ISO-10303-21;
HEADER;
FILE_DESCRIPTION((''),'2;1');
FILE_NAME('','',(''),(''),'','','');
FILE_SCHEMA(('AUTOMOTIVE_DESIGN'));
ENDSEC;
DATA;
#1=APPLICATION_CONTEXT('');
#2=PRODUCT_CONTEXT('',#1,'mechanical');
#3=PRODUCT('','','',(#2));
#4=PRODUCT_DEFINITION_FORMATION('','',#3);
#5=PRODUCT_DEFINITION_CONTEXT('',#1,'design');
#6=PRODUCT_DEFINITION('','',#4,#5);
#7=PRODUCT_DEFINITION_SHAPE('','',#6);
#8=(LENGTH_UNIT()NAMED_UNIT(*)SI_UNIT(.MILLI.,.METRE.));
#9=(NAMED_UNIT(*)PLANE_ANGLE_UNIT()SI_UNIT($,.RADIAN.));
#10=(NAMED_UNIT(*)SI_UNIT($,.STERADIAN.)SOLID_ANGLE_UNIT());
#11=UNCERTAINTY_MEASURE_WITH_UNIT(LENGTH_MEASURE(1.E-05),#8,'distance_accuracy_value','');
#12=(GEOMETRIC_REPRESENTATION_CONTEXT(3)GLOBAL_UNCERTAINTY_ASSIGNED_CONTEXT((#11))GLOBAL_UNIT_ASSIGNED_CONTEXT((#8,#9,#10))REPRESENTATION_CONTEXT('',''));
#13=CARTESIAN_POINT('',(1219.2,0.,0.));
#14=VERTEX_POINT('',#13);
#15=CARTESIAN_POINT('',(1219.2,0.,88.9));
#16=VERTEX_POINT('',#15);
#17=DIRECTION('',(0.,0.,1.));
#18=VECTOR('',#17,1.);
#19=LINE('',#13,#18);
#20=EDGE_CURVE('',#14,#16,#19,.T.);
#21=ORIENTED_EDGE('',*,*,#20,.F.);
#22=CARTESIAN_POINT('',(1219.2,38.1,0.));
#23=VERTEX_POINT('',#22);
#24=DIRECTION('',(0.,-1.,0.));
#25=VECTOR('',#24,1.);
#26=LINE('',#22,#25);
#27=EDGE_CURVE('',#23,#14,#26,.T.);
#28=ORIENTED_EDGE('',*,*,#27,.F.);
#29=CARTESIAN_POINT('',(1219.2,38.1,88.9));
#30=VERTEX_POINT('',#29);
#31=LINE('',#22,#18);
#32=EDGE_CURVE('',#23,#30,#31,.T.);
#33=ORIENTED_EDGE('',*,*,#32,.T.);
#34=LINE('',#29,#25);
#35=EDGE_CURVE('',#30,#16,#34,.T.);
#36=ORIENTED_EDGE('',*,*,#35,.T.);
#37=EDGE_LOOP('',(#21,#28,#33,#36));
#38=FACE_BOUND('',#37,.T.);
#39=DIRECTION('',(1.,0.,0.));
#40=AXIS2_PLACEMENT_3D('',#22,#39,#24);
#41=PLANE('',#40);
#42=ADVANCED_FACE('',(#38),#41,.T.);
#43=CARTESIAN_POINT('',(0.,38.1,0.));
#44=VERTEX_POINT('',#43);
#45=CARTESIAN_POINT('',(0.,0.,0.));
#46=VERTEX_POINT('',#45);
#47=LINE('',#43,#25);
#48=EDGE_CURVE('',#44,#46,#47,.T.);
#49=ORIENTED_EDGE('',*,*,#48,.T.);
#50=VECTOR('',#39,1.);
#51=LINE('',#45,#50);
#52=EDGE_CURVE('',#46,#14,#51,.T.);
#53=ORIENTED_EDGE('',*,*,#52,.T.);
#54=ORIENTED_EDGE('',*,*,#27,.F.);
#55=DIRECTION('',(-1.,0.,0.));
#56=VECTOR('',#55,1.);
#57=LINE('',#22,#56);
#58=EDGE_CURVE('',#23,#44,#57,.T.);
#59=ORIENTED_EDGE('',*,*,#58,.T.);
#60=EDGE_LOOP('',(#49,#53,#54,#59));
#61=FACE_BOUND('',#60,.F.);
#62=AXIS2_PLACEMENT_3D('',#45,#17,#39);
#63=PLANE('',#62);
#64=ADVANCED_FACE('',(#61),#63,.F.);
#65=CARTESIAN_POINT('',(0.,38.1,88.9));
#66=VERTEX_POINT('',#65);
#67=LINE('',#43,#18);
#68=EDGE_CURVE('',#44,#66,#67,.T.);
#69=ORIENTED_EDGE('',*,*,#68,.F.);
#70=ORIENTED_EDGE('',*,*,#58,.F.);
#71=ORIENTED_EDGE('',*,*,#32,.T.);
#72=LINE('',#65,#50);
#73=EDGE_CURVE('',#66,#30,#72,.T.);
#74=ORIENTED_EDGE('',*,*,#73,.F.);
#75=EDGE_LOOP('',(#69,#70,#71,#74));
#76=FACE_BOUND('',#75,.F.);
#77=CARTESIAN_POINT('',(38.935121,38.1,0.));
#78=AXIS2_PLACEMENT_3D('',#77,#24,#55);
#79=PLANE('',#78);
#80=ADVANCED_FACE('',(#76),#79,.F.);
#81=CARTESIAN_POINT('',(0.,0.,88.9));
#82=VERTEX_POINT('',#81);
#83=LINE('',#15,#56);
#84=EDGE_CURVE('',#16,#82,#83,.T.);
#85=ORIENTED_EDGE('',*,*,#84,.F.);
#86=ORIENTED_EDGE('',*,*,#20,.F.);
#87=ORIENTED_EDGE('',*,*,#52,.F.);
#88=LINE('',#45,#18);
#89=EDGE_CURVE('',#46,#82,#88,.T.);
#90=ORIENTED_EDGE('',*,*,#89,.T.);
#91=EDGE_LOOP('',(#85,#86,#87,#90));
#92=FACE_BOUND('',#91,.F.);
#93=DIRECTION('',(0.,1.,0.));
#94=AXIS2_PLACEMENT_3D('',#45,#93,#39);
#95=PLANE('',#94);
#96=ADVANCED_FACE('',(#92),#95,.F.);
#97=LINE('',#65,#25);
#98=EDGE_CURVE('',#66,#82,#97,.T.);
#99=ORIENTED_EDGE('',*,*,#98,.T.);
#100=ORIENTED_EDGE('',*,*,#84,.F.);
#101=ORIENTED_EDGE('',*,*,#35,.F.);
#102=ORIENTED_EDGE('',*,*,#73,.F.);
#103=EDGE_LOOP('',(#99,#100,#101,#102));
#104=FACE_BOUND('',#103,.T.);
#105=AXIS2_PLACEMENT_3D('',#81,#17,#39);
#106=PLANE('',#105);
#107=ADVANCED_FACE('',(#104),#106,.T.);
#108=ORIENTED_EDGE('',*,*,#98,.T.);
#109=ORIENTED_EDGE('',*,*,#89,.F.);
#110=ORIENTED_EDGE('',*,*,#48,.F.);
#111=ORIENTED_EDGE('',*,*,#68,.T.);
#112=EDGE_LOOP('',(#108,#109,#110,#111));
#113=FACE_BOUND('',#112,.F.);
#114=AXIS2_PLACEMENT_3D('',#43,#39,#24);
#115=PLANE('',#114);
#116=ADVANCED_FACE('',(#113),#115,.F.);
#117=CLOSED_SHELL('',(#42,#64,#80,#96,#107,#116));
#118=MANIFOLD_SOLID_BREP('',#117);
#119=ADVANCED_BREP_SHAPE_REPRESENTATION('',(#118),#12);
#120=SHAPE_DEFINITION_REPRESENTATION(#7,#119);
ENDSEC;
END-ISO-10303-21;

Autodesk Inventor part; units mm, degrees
ref_plane "YZ Plane" through (0, 0, 0) normal (1, 0, 0) x (0, 1, 0)
ref_plane "XZ Plane" through (0, 0, 0) normal (0, 1, 0) x (-1, 0, 0)
ref_plane "XY Plane" through (0, 0, 0) normal (0, 0, 1) x (1, 0, 0)
sketch "Sketch1" plane through (0, 0, 0) normal (0, 0, 1) x (1, 0, 0)
  line L0 (0, 0) -> (1219.2, 0)
  line L1 (0, 0) -> (152.4, 0)
  line L2 (152.4, 0) -> (152.4, 762)
  line L3 (152.4, 762) -> (1066.8, 762)
  line L4 (1066.8, 762) -> (1066.8, 0)
  line L5 (152.4, 762) -> (152.4, 723.9)
  line L6 (152.4, 723.9) -> (1066.8, 723.9)
  line L7 (152.4, 0) -> (152.4, 38.1)
  line L8 (152.4, 38.1) -> (1066.8, 38.1)
  line L9 (1066.8, 38.1) -> (1219.2, 38.1)
  line L10 (1219.2, 38.1) -> (1219.2, 0)
  line L11 (152.4, 38.1) -> (0, 38.1)
  line L12 (0, 38.1) -> (0, 0)
  line L13 (0, 38.1) -> (152.4, 762)
  line L14 (1219.2, 38.1) -> (1066.8, 762)
  line L15 (0, 38.1) -> (37.2827, 30.251)
  line L16 (152.4, 762) -> (189.6827, 754.151)
  line L17 (189.6827, 754.151) -> (37.2827, 30.251)
  point P0 (38.9352, 38.1)
  point P1 (152.4, 577.058)
  dimension "d0" = 1219.2
  dimension "d1" = 152.4
  dimension "d2" = 762
  dimension "d3" = 914.4
  dimension "d4" = 38.1
  dimension "d5" = 38.1
  dimension "d6" = 38.1
  dimension "d7" = 38.1
extrude "Extrusion1" add sketch "Sketch1" along normal blind 88.9 contours L12 L15 L17 L11 L2 L0 | L2 L8 L4 L0 | L11 L17 L15 | L4 L9 L10 L0
properties part number "2x4x48"
